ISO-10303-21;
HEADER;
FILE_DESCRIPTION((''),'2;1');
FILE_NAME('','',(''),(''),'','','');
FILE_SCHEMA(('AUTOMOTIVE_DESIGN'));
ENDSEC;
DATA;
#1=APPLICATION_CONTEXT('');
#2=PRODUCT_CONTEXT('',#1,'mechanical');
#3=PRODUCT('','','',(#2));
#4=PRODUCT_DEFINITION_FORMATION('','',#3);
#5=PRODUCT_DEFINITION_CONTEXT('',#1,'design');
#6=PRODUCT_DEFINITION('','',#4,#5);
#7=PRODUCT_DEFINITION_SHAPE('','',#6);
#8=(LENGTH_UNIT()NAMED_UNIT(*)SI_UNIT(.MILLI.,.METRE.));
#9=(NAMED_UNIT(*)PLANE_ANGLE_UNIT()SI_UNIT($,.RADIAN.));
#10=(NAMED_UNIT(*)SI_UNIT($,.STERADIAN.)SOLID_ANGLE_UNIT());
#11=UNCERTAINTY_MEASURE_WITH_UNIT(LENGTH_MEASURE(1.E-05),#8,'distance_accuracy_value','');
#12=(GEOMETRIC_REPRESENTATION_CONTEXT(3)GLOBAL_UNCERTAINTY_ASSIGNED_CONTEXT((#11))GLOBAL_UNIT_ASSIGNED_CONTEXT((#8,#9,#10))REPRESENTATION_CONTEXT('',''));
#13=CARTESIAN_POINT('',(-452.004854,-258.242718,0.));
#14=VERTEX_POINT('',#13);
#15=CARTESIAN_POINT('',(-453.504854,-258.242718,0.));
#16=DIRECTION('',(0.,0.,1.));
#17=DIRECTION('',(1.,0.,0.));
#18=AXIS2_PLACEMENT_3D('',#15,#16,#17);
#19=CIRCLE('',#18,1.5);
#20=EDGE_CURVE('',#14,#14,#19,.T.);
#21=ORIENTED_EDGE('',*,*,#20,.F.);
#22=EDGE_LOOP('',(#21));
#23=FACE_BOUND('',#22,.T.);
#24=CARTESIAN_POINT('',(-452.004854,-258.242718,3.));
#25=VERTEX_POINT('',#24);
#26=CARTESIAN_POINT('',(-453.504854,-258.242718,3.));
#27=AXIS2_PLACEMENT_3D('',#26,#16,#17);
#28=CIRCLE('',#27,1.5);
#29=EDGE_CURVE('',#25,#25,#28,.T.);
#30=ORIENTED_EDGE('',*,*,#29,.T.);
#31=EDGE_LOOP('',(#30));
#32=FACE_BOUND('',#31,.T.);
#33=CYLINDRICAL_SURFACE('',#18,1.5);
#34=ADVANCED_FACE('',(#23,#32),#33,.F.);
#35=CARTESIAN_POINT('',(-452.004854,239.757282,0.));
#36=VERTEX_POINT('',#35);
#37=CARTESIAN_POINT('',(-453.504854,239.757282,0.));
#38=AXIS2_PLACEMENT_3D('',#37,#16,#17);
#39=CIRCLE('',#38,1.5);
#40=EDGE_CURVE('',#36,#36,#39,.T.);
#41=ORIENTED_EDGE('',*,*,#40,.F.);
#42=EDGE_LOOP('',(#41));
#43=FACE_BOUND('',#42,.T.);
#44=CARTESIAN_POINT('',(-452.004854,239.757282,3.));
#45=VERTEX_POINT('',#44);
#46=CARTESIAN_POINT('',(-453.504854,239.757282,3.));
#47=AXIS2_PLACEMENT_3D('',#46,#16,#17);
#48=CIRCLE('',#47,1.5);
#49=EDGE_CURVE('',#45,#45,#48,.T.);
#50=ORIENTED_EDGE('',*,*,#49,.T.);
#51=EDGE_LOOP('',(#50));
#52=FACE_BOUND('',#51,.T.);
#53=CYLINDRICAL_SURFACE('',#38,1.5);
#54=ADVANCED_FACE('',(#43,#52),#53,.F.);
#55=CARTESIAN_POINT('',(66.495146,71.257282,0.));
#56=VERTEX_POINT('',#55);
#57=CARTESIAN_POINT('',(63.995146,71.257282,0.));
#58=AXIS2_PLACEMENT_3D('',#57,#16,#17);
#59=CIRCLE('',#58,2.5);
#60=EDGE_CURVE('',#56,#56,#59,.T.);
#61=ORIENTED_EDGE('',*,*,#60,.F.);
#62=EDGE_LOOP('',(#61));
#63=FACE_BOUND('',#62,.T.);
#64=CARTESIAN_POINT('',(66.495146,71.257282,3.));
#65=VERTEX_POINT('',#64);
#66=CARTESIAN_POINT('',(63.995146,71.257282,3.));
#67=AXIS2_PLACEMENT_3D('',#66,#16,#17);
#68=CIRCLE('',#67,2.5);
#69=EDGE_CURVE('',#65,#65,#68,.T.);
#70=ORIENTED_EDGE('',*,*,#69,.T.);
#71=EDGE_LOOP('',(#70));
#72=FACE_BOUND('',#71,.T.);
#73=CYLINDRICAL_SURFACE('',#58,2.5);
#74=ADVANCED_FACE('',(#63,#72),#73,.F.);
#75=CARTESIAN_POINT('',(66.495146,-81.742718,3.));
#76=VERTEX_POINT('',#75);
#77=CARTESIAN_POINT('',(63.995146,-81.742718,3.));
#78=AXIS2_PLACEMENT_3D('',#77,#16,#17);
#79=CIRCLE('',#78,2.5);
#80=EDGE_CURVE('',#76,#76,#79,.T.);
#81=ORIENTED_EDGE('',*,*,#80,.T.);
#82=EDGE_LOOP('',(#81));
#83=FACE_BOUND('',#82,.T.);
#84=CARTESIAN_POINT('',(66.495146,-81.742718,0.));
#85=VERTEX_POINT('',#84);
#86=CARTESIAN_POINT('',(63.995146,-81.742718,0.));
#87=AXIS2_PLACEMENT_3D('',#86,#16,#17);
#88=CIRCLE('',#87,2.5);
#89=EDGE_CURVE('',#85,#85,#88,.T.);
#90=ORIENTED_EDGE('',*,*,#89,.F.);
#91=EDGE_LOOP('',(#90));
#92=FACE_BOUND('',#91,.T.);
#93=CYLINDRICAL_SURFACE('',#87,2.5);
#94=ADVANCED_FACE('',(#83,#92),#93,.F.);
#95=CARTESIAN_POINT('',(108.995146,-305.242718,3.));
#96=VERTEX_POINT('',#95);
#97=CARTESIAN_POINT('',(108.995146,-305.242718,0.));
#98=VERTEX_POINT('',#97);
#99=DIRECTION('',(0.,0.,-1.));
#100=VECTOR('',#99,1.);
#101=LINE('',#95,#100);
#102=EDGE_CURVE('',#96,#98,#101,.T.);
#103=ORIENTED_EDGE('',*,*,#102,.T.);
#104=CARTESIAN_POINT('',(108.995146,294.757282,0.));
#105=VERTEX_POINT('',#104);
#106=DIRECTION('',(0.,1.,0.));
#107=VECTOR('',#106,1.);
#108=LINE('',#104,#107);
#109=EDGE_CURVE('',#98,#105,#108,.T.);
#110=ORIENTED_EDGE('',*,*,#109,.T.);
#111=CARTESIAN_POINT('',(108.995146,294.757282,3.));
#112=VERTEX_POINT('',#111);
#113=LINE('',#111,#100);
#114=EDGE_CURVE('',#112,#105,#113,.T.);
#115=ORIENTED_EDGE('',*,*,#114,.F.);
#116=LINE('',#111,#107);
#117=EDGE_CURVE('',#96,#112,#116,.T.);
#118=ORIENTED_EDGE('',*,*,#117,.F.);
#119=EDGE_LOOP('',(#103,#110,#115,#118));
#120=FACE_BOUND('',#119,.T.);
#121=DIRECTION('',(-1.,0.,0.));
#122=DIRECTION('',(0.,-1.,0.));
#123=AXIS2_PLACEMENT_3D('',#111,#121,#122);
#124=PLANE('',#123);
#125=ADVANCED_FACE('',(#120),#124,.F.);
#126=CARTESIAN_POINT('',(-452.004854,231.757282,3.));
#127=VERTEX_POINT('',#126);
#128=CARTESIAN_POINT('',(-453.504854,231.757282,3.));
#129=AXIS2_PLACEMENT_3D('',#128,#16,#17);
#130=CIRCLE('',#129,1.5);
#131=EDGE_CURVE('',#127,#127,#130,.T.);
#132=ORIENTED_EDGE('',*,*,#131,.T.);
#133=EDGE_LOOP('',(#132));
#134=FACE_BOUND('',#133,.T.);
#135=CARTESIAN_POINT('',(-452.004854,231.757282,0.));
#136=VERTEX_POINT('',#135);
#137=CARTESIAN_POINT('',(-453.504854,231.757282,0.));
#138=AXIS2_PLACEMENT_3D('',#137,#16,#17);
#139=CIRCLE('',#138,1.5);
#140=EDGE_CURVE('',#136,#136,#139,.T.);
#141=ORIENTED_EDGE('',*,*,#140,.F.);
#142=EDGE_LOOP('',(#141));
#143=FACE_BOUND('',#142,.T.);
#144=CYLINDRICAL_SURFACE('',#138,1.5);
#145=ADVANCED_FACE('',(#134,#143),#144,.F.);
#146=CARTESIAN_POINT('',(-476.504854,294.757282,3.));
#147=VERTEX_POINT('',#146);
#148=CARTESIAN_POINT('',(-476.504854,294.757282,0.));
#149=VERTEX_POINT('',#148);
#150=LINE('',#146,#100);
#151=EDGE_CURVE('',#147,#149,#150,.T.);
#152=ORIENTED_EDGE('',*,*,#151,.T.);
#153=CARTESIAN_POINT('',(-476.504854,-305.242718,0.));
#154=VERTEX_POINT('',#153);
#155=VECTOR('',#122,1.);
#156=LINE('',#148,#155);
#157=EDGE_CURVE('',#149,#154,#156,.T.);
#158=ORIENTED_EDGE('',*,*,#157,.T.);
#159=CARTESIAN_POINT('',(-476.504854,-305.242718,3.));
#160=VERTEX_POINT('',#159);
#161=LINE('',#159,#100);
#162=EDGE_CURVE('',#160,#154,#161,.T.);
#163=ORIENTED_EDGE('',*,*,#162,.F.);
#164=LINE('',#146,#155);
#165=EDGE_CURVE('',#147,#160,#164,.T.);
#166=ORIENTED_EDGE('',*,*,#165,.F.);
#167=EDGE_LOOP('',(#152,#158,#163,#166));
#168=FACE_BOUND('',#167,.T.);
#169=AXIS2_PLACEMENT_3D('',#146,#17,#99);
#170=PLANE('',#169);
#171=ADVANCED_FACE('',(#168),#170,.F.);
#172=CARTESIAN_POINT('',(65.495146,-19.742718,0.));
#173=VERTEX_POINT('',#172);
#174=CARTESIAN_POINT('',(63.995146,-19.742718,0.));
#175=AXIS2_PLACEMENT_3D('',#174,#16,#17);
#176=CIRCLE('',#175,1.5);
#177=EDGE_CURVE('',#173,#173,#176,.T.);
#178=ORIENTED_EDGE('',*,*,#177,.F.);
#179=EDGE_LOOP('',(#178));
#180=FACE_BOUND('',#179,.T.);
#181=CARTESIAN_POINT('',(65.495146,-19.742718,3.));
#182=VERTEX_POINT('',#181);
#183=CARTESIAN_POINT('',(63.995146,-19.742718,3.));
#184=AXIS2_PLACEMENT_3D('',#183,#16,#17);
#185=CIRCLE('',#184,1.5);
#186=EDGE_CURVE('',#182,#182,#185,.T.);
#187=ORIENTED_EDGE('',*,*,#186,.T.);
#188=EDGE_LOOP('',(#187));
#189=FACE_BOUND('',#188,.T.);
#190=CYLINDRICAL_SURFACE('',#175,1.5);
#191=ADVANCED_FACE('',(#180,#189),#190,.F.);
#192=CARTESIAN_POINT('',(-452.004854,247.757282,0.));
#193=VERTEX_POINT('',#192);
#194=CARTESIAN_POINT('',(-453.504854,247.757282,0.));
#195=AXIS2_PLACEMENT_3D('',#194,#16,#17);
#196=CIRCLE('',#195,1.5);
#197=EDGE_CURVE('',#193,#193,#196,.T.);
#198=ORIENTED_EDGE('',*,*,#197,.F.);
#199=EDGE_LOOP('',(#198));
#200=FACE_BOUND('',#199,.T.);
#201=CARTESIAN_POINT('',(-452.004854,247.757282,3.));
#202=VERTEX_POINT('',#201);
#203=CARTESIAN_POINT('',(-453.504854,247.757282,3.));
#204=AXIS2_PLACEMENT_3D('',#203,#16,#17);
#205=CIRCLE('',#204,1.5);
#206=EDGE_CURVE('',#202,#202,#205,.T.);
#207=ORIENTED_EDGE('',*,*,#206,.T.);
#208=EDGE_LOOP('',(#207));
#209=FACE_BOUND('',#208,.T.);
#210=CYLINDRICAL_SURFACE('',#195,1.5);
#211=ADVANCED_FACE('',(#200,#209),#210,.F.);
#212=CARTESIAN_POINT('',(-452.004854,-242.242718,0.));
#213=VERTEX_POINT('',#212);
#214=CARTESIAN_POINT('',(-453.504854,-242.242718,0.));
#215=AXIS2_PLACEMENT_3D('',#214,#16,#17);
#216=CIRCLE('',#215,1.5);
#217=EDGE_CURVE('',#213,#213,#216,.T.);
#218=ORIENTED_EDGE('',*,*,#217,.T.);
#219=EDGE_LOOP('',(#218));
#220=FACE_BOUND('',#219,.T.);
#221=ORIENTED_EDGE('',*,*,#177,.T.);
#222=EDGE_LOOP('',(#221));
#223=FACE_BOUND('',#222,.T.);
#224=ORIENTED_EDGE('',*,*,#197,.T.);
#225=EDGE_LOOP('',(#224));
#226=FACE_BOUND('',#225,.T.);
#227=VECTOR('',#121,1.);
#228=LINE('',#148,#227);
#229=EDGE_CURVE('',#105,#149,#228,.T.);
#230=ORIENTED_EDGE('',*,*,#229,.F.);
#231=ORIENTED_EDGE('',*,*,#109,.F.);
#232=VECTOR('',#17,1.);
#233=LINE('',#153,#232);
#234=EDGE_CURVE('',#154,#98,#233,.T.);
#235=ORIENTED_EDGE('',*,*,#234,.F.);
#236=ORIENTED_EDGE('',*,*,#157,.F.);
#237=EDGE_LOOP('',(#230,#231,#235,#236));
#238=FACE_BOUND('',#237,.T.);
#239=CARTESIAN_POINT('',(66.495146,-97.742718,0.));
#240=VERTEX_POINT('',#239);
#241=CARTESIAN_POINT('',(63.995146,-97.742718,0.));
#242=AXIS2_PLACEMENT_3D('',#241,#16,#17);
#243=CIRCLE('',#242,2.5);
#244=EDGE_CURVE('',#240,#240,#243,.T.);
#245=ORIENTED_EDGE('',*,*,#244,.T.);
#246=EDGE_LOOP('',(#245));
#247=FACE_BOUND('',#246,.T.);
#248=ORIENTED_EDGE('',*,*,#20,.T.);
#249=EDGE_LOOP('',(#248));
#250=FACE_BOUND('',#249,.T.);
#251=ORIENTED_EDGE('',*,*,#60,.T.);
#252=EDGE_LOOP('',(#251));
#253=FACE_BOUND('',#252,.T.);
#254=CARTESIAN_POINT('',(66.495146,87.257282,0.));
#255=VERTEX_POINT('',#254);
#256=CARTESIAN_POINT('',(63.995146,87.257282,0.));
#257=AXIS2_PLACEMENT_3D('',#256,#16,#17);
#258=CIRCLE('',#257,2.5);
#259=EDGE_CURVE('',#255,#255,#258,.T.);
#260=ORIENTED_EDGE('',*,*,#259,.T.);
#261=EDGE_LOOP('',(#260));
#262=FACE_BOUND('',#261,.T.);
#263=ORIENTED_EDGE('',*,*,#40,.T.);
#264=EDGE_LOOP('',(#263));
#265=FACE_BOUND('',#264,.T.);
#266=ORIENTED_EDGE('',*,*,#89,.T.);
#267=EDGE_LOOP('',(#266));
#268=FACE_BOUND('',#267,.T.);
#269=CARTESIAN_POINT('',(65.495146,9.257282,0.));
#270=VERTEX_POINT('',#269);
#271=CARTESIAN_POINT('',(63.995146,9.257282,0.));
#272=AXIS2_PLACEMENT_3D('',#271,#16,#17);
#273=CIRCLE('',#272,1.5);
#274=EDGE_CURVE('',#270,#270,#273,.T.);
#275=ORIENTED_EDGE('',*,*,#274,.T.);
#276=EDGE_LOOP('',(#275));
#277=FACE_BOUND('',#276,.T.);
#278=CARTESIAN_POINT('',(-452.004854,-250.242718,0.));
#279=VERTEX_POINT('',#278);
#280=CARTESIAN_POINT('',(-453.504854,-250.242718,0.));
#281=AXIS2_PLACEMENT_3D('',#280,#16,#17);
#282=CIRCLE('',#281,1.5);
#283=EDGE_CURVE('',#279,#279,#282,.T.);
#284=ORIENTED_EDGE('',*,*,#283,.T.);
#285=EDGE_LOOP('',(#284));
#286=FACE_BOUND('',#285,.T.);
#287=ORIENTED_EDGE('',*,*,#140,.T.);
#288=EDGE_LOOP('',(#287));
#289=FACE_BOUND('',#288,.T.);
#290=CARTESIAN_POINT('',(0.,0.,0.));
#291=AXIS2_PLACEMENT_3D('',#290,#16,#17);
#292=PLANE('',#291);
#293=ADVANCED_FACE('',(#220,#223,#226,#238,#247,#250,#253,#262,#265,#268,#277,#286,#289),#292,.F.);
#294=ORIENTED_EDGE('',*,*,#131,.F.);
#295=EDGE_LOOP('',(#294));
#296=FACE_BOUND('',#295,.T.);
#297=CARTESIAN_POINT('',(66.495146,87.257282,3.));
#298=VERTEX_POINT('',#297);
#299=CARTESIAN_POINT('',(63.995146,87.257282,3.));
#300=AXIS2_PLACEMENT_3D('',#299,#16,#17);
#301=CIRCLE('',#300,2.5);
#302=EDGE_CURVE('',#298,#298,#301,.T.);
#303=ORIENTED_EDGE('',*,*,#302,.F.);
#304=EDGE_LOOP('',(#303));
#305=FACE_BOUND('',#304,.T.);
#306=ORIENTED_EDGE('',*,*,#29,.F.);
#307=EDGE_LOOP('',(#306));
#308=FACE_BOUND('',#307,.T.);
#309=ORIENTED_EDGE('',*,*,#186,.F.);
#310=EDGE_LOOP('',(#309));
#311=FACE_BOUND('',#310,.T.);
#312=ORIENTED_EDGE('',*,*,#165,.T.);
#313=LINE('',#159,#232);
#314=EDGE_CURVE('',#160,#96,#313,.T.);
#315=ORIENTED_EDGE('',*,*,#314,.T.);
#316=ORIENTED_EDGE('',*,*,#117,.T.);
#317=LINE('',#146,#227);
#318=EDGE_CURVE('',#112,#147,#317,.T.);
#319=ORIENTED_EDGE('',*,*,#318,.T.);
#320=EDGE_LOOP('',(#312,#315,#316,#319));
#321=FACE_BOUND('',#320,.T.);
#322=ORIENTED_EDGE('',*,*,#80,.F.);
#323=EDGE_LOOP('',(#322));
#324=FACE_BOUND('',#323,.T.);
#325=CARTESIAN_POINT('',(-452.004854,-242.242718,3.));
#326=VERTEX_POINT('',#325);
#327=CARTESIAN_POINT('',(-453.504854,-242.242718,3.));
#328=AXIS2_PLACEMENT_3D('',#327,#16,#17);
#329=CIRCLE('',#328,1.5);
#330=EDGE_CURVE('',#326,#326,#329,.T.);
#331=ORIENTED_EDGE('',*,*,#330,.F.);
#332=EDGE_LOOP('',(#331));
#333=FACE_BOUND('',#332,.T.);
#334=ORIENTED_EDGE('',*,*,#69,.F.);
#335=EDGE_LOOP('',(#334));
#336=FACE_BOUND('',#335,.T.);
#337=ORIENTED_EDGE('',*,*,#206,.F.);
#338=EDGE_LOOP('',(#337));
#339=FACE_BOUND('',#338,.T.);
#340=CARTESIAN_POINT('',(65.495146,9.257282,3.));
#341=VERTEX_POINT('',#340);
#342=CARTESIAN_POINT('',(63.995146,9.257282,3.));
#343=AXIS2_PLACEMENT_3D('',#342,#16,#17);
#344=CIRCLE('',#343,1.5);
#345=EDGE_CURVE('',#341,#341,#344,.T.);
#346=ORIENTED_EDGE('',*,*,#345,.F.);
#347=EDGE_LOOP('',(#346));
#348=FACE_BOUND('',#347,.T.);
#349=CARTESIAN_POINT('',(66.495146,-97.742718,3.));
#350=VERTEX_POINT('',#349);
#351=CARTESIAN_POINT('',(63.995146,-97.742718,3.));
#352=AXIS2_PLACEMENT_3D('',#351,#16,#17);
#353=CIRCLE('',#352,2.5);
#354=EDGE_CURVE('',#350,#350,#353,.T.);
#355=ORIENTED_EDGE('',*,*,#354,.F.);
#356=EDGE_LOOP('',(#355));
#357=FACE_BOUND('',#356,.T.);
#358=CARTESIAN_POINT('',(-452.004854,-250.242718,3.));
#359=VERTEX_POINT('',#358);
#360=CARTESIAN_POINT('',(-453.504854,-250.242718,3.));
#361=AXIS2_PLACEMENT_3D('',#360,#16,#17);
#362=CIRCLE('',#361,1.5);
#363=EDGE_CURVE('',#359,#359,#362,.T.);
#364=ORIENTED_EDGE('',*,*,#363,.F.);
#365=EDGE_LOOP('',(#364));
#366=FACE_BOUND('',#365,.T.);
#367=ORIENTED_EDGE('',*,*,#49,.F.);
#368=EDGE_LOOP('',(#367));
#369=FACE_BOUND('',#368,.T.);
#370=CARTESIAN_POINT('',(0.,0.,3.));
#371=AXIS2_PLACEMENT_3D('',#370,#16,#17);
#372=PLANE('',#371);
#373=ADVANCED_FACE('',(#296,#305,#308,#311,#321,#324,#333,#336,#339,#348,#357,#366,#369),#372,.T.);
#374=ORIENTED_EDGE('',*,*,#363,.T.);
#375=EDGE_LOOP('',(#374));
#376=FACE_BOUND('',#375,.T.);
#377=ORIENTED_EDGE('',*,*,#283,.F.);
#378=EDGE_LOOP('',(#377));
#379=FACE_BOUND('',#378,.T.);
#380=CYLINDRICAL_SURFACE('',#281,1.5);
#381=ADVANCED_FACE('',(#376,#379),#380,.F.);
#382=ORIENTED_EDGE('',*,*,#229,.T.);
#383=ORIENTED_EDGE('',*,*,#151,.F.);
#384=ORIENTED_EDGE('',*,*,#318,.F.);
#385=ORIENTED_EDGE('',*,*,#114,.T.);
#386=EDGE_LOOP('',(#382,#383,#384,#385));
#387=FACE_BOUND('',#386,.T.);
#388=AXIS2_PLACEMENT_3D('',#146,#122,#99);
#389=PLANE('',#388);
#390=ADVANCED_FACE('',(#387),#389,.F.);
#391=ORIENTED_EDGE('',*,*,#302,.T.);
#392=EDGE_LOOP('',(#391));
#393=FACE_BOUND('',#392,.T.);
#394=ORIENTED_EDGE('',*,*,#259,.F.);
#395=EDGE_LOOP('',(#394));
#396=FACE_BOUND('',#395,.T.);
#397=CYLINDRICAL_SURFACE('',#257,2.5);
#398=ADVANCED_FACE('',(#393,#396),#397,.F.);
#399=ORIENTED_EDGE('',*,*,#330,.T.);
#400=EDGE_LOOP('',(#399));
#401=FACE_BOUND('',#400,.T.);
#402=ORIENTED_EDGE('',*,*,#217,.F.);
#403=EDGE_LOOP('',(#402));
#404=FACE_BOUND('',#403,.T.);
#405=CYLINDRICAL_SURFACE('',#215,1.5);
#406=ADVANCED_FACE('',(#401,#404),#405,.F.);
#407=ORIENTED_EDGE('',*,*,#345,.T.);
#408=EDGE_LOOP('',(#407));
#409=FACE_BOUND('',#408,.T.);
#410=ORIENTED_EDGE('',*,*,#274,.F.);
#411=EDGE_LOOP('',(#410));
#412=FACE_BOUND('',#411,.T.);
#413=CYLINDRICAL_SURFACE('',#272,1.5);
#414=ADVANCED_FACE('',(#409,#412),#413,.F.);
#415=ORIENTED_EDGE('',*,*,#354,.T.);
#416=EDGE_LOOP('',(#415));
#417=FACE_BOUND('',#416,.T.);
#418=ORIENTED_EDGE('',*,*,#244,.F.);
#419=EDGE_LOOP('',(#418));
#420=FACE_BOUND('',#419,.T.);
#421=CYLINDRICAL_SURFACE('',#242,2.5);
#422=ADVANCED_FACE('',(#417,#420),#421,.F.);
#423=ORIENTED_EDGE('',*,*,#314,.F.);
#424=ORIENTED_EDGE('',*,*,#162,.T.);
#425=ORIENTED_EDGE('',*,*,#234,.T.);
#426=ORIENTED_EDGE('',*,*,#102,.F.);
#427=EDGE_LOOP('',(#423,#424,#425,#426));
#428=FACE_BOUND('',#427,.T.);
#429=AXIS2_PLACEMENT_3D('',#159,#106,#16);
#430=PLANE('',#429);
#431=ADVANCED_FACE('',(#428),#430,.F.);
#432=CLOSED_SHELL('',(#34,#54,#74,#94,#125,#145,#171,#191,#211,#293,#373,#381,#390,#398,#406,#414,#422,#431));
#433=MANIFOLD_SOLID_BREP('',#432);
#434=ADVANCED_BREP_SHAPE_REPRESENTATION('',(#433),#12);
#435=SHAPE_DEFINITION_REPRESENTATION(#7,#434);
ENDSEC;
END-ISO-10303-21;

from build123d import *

# Parameters (mm, degrees)
SKETCH1_W           = 585.5
SKETCH1_H           = 600
BOSS_EXTRUDE1_DEPTH = 3
SKETCH2_R           = 1.5
CUT_EXTRUDE1_DEPTH  = 566.896627841
SKETCH3_R           = 2.5
SKETCH3_R_2         = 1.5
CUT_EXTRUDE2_DEPTH  = 566.896627841


with BuildPart() as part:
    # Sketch1 → Boss-Extrude1 (new body)
    with BuildSketch(Plane.XY):
        with Locations((-183.754854369, -5.242718447)):
            Rectangle(SKETCH1_W, SKETCH1_H)
    extrude(amount=BOSS_EXTRUDE1_DEPTH)

    # Sketch2 → Cut-Extrude1 (cut, through all)
    with BuildSketch(Plane.XY.offset(3)):
        with Locations((-453.504854369, 247.757281553)):
            Circle(SKETCH2_R)
        with Locations((-453.504854369, 239.757281553)):
            Circle(SKETCH2_R)
        with Locations((-453.504854369, 231.757281553)):
            Circle(SKETCH2_R)
        with Locations((-453.504854369, -242.242718447)):
            Circle(SKETCH2_R)
        with Locations((-453.504854369, -250.242718447)):
            Circle(SKETCH2_R)
        with Locations((-453.504854369, -258.242718447)):
            Circle(SKETCH2_R)
    extrude(amount=-CUT_EXTRUDE1_DEPTH, mode=Mode.SUBTRACT)

    # Sketch3 → Cut-Extrude2 (cut, through all)
    with BuildSketch(Plane.XY.offset(3)):
        with Locations((63.995145631, 87.257281553)):
            Circle(SKETCH3_R)
        with Locations((63.995145631, 71.257281553)):
            Circle(SKETCH3_R)
        with Locations((63.995145631, -81.742718447)):
            Circle(SKETCH3_R)
        with Locations((63.995145631, -97.742718447)):
            Circle(SKETCH3_R)
        with Locations((63.995145631, 9.257281553)):
            Circle(SKETCH3_R_2)
        with Locations((63.995145631, -19.742718447)):
            Circle(SKETCH3_R_2)
    extrude(amount=-CUT_EXTRUDE2_DEPTH, mode=Mode.SUBTRACT)


solid = part.part
